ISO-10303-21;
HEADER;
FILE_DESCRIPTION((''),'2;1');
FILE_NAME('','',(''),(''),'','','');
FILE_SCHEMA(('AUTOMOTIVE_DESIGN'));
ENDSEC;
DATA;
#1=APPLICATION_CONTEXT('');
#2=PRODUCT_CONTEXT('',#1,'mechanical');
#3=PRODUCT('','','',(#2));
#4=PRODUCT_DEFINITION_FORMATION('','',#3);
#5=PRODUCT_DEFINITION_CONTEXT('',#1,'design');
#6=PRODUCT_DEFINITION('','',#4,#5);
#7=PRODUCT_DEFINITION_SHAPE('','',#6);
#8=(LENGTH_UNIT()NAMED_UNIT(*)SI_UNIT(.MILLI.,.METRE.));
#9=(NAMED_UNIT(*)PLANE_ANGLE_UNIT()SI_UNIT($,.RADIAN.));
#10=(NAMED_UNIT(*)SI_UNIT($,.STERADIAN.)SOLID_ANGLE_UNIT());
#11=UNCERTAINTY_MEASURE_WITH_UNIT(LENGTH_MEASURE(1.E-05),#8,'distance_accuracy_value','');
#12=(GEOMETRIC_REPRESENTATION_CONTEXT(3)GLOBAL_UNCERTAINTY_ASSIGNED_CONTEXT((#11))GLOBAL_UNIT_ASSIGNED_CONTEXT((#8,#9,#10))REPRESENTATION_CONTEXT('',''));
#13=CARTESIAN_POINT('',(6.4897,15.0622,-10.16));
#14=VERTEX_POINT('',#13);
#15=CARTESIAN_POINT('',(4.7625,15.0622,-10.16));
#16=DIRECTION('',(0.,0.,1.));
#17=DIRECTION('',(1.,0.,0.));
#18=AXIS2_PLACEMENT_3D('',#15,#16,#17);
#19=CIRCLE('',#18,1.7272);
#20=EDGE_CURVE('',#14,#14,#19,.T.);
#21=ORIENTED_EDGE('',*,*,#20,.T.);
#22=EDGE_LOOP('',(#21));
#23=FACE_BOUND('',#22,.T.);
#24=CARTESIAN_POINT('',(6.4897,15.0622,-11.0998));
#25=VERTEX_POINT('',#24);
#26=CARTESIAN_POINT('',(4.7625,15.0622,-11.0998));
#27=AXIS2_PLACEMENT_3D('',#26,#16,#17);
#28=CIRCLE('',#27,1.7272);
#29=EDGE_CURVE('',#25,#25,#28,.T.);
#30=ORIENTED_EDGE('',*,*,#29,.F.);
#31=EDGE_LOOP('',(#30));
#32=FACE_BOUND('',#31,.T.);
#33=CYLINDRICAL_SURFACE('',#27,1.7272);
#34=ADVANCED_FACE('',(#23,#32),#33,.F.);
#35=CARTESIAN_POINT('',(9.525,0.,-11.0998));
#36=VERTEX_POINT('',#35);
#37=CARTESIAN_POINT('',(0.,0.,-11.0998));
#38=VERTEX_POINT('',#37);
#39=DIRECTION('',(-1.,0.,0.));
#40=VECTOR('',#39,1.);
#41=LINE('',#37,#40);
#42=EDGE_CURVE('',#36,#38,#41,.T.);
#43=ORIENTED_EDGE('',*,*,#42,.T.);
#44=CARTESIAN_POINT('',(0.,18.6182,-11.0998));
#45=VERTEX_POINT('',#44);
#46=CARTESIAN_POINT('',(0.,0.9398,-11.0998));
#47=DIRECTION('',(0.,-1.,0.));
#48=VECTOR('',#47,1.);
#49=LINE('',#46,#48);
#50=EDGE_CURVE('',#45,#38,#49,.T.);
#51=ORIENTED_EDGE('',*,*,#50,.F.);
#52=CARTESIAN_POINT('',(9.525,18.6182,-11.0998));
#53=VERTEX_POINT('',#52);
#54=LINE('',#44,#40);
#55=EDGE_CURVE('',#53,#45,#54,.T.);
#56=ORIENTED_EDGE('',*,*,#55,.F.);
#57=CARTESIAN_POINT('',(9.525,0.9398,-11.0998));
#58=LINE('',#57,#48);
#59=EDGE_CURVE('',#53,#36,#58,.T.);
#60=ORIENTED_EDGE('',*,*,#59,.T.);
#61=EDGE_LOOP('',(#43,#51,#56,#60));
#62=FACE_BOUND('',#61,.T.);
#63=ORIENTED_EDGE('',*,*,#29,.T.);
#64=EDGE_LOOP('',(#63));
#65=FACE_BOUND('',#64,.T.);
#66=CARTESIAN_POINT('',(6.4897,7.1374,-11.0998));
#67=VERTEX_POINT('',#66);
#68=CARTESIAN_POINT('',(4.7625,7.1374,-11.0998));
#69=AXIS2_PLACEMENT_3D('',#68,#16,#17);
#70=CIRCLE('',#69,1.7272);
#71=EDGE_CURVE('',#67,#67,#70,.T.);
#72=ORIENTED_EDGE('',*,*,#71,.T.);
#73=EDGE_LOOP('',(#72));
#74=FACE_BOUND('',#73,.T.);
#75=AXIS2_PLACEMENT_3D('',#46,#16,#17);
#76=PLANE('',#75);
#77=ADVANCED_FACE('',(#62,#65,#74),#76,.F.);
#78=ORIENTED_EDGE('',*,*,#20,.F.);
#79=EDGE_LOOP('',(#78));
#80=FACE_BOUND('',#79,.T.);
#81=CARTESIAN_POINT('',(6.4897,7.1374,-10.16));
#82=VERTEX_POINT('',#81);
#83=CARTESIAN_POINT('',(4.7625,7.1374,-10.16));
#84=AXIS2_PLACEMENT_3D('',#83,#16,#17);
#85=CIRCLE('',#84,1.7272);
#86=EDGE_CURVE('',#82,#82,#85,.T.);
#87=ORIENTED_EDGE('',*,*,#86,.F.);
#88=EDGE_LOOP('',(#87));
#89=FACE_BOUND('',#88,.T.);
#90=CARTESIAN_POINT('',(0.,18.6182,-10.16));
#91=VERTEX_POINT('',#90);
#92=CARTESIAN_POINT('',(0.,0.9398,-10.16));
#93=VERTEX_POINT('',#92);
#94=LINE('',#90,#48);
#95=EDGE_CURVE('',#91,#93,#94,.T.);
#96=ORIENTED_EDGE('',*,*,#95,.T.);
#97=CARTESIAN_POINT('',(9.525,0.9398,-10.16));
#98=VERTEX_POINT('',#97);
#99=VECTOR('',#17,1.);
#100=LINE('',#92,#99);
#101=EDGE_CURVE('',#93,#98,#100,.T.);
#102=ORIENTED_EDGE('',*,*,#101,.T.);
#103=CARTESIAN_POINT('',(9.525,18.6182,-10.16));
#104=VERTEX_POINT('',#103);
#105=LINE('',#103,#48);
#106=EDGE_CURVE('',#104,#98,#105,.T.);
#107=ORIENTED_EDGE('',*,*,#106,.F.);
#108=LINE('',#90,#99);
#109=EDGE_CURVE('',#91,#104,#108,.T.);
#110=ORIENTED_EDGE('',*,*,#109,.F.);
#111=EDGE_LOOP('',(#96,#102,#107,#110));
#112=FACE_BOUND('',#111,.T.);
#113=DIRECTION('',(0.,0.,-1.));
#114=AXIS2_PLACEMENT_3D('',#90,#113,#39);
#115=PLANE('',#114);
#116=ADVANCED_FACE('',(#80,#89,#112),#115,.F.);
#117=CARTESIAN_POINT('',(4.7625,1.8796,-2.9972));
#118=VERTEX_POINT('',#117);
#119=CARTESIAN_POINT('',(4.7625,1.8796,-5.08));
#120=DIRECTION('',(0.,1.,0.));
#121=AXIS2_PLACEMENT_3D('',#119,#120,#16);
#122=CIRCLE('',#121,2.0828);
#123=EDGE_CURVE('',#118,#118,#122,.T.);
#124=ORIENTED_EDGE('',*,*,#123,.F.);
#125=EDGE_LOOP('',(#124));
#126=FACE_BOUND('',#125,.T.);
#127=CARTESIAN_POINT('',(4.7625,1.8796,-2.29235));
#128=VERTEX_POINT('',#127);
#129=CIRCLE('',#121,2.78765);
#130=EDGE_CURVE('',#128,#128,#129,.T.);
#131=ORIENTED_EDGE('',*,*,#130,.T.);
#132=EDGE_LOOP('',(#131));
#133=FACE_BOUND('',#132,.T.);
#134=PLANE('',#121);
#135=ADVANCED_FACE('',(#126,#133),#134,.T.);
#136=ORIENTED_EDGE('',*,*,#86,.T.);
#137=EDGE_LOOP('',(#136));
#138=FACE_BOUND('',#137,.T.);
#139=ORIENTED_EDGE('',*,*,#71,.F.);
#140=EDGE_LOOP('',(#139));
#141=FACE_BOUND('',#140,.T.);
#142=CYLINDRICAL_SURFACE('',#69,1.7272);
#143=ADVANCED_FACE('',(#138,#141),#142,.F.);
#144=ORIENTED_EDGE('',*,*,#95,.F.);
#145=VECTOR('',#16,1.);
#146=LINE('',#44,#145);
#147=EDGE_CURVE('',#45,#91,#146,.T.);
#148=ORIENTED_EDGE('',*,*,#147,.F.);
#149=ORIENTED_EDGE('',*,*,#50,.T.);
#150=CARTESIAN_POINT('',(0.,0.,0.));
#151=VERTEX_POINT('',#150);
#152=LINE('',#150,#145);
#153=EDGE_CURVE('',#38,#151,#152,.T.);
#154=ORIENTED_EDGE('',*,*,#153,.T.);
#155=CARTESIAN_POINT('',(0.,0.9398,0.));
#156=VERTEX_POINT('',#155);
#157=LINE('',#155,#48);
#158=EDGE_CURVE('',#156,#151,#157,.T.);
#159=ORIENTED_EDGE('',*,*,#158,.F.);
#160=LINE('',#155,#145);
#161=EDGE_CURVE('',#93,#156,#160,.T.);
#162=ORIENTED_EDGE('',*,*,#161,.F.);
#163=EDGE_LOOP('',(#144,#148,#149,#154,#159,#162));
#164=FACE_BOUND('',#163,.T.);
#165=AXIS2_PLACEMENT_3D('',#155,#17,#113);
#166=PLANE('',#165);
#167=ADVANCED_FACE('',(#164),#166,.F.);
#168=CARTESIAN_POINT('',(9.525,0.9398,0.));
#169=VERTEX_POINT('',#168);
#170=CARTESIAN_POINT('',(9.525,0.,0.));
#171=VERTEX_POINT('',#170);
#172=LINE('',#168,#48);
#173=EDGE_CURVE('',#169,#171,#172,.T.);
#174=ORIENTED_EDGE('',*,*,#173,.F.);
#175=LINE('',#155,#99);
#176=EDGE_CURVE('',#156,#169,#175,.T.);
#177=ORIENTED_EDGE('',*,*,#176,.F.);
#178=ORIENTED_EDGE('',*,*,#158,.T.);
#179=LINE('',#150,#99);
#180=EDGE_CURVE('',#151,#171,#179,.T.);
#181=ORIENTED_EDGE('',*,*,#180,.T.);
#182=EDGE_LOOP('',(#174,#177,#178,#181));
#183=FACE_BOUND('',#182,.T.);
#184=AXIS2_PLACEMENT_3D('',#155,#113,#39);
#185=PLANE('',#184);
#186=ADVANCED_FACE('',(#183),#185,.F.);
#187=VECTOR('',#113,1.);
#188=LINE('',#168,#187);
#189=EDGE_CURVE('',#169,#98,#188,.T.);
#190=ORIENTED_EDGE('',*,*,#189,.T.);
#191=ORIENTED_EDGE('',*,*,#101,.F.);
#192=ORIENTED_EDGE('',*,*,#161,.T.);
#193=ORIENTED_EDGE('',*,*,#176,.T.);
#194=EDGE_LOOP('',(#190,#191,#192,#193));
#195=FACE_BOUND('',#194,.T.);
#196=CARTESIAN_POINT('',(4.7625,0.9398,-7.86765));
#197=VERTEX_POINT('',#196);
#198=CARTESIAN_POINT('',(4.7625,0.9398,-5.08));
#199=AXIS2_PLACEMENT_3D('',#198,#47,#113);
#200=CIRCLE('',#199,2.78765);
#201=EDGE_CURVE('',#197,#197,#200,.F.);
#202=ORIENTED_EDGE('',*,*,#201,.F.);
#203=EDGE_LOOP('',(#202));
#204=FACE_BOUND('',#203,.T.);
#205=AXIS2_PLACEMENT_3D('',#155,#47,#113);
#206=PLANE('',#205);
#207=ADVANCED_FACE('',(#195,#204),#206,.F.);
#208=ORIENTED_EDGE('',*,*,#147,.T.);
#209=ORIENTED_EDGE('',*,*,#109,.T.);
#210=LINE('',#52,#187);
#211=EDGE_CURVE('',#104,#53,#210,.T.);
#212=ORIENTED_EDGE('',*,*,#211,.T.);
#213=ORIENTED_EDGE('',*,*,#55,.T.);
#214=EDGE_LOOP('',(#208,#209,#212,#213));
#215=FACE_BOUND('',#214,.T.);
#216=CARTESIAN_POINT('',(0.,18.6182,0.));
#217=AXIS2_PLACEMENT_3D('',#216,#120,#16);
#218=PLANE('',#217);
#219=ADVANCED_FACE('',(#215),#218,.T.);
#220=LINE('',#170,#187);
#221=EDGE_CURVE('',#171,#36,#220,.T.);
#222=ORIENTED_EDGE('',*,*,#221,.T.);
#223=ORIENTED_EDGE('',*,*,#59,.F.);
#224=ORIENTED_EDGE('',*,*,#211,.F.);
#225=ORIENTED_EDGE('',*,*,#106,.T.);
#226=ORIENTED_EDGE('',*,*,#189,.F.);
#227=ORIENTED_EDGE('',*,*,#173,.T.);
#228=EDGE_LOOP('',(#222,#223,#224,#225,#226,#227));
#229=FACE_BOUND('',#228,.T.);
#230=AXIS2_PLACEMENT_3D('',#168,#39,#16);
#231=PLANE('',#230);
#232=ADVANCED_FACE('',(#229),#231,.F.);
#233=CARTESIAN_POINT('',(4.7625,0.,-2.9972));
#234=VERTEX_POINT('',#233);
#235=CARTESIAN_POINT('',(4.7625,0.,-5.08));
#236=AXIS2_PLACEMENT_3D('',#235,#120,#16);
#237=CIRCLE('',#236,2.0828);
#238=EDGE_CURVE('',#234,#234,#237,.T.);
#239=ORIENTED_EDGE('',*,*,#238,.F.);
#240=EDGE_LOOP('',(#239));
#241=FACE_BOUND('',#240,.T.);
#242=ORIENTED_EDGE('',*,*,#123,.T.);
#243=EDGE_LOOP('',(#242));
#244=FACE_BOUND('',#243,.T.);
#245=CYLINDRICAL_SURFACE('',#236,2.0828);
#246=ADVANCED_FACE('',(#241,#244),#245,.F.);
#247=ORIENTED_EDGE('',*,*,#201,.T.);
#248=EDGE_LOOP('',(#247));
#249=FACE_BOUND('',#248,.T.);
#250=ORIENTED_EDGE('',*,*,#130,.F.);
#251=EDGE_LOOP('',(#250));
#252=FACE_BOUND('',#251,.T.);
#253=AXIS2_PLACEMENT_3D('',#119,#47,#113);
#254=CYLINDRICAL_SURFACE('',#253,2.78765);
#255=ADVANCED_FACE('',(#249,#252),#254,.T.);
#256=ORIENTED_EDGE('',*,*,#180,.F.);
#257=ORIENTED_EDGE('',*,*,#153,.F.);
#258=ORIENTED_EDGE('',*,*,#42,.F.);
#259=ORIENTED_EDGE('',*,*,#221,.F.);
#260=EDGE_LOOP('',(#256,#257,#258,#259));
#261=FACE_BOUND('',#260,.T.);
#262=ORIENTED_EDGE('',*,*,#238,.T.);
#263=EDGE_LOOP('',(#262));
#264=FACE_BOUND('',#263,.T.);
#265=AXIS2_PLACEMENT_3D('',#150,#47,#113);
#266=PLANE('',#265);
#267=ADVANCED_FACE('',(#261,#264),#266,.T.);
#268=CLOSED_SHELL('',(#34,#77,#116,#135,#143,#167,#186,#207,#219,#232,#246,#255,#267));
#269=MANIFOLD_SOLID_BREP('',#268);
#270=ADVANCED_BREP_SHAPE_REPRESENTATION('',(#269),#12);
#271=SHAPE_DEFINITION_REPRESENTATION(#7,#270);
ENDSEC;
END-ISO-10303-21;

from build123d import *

# Parameters (mm, degrees)
SKETCH1_W           = 9.525
SKETCH1_H           = 11.0998
BOSS_EXTRUDE1_DEPTH = 0.9398
SKETCH2_W           = 9.525
SKETCH2_H           = 0.9398
BOSS_EXTRUDE2_DEPTH = 17.6784
CUT_EXTRUDE1_DEPTH  = 24.250561203
CUT_EXTRUDE2_DEPTH  = 23.944651046
BOSS_EXTRUDE3_START = 0.9398
SKETCH7_R           = 2.78765
SKETCH7_R_2         = 2.0828
BOSS_EXTRUDE3_DEPTH = 0.9398


with BuildPart() as part:
    # Sketch1 → Boss-Extrude1 (new body)
    with BuildSketch(Plane(origin=(0, 0, 0), x_dir=(1, 0, 0), z_dir=(0, 1, 0))):
        with Locations((4.7625, 5.5499)):
            Rectangle(SKETCH1_W, SKETCH1_H)
    extrude(amount=BOSS_EXTRUDE1_DEPTH)

    # Sketch2 → Boss-Extrude2 (add)
    with BuildSketch(Plane(origin=(0, 0.9398, 0), x_dir=(1, 0, 0), z_dir=(0, 1, 0))):
        with Locations((4.7625, 10.6299)):
            Rectangle(SKETCH2_W, SKETCH2_H)
    extrude(amount=BOSS_EXTRUDE2_DEPTH)

    # Sketch3 → Cut-Extrude1 (cut, through all)
    with BuildSketch(Plane.XY.offset(-10.16)):
        with BuildLine():
            ThreePointArc((6.4897, 15.0622), (5.983814832, 16.283514832), (4.7625, 16.7894))
            Line((4.7625, 16.7894), (4.7625, 13.335))
            ThreePointArc((4.7625, 13.335), (5.983814832, 13.840885168), (6.4897, 15.0622))
        make_face()
        with BuildLine():
            Line((4.7625, 13.335), (4.7625, 16.7894))
            ThreePointArc((4.7625, 16.7894), (3.0353, 15.0622), (4.7625, 13.335))
        make_face()
        with BuildLine():
            ThreePointArc((6.4897, 7.1374), (5.983814832, 8.358714832), (4.7625, 8.8646))
            Line((4.7625, 8.8646), (4.7625, 5.4102))
            ThreePointArc((4.7625, 5.4102), (5.983814832, 5.916085168), (6.4897, 7.1374))
        make_face()
        with BuildLine():
            Line((4.7625, 5.4102), (4.7625, 8.8646))
            ThreePointArc((4.7625, 8.8646), (3.0353, 7.1374), (4.7625, 5.4102))
        make_face()
    extrude(amount=-CUT_EXTRUDE1_DEPTH, mode=Mode.SUBTRACT)

    # Sketch4 → Cut-Extrude2 (cut, through all)
    with BuildSketch(Plane(origin=(0, 0.9398, 0), x_dir=(1, 0, 0), z_dir=(0, 1, 0))):
        with BuildLine():
            ThreePointArc((6.8453, 5.08), (6.235262004, 6.552762004), (4.7625, 7.1628))
            Line((4.7625, 7.1628), (4.7625, 5.08))
            Line((4.7625, 5.08), (6.8453, 5.08))
        make_face()
        with BuildLine():
            Line((4.7625, 5.08), (4.7625, 7.1628))
            ThreePointArc((4.7625, 7.1628), (3.289737996, 6.552762004), (2.6797, 5.08))
            Line((2.6797, 5.08), (4.7625, 5.08))
        make_face()
        with BuildLine():
            Line((6.8453, 5.08), (4.7625, 5.08))
            Line((4.7625, 5.08), (4.7625, 2.9972))
            ThreePointArc((4.7625, 2.9972), (6.235262004, 3.607237996), (6.8453, 5.08))
        make_face()
        with BuildLine():
            Line((4.7625, 2.9972), (4.7625, 5.08))
            Line((4.7625, 5.08), (2.6797, 5.08))
            ThreePointArc((2.6797, 5.08), (3.289737996, 3.607237996), (4.7625, 2.9972))
        make_face()
    extrude(amount=-CUT_EXTRUDE2_DEPTH, mode=Mode.SUBTRACT)

    # Sketch7 → Boss-Extrude3 (add)
    with BuildSketch(Plane(origin=(0, 0.9398, 0), x_dir=(1, 0, 0), z_dir=(0, 1, 0)).offset(BOSS_EXTRUDE3_START)):
        with Locations(Location((4.7625, 5.08, 0), (0, 0, 90))):
            Circle(SKETCH7_R)
        with Locations(Location((4.7625, 5.08, 0), (0, 0, 270))):
            Circle(SKETCH7_R_2, mode=Mode.SUBTRACT)
    extrude(amount=-BOSS_EXTRUDE3_DEPTH)


solid = part.part
